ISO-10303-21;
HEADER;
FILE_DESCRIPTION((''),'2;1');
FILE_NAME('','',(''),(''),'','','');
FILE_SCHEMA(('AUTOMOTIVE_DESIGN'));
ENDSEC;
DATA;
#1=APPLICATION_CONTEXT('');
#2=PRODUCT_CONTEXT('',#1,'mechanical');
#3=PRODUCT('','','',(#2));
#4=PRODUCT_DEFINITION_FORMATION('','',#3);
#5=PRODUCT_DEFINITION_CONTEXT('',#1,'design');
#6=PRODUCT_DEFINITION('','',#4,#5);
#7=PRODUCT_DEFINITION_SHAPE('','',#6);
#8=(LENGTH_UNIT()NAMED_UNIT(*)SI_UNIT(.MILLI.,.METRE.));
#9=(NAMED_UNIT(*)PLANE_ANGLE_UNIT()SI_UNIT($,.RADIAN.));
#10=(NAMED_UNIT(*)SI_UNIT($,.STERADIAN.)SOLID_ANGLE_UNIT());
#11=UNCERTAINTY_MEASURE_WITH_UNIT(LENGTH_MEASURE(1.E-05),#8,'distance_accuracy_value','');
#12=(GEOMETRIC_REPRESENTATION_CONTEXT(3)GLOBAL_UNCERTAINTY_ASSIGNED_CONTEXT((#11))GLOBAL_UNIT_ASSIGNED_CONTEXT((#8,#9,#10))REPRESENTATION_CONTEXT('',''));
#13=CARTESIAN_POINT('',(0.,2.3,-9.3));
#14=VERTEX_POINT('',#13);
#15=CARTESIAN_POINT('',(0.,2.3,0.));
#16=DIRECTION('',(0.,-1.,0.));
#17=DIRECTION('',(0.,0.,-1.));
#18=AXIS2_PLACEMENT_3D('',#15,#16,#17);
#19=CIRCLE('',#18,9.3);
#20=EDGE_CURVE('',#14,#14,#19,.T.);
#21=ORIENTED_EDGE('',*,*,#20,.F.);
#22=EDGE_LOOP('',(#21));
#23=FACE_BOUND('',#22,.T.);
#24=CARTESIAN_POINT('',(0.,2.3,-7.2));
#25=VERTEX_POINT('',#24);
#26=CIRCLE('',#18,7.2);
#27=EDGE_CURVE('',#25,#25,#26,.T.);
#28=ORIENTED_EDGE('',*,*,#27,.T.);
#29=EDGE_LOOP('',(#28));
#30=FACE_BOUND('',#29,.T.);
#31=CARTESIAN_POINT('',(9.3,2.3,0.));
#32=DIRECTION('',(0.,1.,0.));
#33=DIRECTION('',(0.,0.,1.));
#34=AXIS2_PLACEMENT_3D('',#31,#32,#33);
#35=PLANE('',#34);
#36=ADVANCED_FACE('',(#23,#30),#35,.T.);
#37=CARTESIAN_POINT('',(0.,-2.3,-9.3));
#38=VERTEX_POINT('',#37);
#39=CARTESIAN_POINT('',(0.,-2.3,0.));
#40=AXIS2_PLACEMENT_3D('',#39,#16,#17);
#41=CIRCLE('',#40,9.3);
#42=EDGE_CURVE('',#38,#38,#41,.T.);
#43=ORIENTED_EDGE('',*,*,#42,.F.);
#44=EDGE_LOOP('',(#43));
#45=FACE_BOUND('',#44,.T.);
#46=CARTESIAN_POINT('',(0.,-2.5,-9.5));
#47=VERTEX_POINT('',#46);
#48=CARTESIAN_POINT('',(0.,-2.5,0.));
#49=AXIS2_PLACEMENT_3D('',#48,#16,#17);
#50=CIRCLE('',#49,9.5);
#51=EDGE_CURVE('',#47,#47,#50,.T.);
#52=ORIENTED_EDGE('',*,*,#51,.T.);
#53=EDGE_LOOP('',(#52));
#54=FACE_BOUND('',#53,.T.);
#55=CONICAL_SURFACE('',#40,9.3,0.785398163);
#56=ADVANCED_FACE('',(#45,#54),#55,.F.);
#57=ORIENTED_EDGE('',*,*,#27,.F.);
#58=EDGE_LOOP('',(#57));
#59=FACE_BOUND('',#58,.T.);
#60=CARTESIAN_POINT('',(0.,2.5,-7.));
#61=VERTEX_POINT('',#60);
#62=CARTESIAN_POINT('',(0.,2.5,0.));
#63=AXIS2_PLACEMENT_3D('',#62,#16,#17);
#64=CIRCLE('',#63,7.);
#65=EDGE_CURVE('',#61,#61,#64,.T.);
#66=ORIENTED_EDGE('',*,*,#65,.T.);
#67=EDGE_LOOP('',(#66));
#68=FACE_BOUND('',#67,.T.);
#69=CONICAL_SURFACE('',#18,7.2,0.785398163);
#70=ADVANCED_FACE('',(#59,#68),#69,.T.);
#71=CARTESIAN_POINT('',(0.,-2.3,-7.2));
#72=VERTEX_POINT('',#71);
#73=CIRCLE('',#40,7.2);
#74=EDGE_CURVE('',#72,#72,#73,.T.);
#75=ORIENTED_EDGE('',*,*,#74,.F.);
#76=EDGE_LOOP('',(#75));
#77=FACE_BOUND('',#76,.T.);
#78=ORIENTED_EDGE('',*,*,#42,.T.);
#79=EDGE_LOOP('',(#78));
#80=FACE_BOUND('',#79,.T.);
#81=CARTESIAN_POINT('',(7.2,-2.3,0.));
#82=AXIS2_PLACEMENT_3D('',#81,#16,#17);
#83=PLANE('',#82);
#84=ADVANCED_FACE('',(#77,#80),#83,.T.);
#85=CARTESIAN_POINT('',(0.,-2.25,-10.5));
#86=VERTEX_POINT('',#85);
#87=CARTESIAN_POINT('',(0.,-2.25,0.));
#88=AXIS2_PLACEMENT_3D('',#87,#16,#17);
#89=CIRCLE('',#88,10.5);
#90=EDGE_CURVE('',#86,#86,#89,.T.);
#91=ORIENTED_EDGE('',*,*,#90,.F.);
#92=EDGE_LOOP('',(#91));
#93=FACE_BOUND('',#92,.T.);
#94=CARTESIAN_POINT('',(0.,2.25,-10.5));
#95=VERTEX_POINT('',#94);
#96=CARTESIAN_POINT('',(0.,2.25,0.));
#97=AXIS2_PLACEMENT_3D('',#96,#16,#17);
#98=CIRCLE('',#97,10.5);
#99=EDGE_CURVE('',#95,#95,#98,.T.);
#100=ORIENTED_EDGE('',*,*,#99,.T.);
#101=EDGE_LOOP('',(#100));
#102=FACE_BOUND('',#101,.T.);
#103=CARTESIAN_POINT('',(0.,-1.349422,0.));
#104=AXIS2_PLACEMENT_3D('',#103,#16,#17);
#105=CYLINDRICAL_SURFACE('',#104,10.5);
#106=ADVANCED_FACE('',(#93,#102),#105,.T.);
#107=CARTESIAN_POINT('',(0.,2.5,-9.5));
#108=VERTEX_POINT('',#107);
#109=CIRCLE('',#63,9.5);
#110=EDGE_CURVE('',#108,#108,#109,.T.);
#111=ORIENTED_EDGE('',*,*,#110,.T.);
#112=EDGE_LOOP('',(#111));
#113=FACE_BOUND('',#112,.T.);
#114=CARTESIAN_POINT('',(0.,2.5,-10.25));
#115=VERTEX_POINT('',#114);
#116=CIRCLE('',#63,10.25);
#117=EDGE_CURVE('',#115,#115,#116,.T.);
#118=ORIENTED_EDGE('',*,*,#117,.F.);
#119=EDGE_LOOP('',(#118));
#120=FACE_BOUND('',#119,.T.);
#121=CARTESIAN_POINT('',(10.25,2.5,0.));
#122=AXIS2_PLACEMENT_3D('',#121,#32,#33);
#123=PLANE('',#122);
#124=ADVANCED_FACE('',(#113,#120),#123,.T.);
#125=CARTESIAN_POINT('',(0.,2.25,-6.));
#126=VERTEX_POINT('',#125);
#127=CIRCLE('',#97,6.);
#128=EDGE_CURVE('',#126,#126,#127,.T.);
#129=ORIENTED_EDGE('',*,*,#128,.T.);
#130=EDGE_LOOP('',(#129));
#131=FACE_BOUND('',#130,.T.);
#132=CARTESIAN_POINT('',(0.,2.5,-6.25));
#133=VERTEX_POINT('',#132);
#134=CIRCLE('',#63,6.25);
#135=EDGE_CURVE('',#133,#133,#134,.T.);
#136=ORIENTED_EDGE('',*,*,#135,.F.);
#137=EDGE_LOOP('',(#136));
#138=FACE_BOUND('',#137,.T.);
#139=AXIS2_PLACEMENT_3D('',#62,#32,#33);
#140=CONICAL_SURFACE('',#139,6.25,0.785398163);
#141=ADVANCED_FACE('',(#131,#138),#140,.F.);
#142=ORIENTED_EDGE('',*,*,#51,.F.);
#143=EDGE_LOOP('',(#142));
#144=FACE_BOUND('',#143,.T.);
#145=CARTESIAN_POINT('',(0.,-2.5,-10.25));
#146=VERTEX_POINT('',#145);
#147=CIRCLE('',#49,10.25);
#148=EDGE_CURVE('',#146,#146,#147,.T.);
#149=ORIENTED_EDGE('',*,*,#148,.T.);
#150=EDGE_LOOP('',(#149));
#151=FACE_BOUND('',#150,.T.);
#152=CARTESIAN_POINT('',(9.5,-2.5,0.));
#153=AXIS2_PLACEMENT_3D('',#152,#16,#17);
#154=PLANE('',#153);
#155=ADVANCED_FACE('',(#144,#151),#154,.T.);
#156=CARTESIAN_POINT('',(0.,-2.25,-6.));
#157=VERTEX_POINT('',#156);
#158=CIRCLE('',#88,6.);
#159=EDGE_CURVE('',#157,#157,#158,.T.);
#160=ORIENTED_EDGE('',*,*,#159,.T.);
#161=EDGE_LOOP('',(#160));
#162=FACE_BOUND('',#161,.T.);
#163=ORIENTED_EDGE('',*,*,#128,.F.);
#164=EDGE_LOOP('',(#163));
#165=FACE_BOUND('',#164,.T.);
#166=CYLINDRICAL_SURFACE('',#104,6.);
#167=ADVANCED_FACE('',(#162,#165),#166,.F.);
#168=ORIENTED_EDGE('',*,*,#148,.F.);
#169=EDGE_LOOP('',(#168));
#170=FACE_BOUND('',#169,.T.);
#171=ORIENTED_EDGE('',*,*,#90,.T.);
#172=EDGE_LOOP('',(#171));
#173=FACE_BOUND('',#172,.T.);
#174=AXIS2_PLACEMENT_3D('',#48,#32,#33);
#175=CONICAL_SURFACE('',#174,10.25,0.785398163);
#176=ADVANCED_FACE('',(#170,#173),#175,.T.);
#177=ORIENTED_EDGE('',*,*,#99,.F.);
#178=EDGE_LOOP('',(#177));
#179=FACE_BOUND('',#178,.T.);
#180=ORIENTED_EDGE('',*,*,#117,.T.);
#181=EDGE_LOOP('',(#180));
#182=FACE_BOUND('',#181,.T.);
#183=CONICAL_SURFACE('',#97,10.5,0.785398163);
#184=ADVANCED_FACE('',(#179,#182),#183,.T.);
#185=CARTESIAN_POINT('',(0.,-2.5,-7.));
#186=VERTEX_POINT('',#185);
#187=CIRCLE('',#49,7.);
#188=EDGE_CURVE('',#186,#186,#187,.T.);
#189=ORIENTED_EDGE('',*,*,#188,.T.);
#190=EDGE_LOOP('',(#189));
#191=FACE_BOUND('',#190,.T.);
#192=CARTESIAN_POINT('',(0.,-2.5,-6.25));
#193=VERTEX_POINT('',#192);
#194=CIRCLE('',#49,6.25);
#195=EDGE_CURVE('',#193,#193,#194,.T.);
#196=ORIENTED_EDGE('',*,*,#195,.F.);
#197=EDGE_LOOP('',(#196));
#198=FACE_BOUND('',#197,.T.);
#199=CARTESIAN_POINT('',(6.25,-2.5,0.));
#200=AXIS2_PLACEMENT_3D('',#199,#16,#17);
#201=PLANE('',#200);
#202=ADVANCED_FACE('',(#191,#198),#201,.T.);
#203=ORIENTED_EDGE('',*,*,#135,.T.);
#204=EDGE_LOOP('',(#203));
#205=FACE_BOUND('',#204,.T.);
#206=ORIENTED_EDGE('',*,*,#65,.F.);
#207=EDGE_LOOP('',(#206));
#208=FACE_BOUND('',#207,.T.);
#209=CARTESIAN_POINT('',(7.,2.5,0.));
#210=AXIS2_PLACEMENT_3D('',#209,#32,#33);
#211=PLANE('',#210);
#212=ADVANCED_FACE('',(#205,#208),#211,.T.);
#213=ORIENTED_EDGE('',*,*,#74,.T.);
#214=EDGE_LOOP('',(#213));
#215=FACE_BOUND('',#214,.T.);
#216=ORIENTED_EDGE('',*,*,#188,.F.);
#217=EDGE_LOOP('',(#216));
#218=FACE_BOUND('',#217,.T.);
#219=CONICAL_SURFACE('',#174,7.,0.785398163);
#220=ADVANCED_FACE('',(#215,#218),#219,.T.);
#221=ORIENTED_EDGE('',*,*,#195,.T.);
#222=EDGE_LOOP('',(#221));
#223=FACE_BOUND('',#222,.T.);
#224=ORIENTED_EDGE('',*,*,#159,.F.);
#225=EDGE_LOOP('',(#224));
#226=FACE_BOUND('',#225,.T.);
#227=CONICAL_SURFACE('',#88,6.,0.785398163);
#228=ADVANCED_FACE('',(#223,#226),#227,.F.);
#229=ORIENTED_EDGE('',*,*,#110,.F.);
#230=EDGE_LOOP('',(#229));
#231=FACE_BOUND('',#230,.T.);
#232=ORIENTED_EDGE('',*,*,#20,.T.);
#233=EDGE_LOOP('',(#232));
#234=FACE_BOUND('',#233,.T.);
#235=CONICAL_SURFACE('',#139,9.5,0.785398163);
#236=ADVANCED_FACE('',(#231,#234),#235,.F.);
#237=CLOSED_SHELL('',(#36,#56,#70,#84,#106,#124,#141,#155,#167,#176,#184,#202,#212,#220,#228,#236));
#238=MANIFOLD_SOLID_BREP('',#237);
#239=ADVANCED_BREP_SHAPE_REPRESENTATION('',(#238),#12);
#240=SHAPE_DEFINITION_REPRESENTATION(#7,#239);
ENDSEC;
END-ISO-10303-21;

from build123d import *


with BuildPart() as part:
    # Sketch1 → Revolve1 (revolve)
    with BuildSketch(Plane.XY):
        Polygon((6, 2.25), (6, -2.25), (6.25, -2.5), (7, -2.5), (7.2, -2.3), (9.3, -2.3), (9.5, -2.5), (10.25, -2.5), (10.5, -2.25), (10.5, 2.25), (10.25, 2.5), (9.5, 2.5), (9.3, 2.3), (7.2, 2.3), (7, 2.5), (6.25, 2.5), align=None)
    revolve(axis=Axis((0, -1.349421972, 0), (0, 1, 0)))


solid = part.part
